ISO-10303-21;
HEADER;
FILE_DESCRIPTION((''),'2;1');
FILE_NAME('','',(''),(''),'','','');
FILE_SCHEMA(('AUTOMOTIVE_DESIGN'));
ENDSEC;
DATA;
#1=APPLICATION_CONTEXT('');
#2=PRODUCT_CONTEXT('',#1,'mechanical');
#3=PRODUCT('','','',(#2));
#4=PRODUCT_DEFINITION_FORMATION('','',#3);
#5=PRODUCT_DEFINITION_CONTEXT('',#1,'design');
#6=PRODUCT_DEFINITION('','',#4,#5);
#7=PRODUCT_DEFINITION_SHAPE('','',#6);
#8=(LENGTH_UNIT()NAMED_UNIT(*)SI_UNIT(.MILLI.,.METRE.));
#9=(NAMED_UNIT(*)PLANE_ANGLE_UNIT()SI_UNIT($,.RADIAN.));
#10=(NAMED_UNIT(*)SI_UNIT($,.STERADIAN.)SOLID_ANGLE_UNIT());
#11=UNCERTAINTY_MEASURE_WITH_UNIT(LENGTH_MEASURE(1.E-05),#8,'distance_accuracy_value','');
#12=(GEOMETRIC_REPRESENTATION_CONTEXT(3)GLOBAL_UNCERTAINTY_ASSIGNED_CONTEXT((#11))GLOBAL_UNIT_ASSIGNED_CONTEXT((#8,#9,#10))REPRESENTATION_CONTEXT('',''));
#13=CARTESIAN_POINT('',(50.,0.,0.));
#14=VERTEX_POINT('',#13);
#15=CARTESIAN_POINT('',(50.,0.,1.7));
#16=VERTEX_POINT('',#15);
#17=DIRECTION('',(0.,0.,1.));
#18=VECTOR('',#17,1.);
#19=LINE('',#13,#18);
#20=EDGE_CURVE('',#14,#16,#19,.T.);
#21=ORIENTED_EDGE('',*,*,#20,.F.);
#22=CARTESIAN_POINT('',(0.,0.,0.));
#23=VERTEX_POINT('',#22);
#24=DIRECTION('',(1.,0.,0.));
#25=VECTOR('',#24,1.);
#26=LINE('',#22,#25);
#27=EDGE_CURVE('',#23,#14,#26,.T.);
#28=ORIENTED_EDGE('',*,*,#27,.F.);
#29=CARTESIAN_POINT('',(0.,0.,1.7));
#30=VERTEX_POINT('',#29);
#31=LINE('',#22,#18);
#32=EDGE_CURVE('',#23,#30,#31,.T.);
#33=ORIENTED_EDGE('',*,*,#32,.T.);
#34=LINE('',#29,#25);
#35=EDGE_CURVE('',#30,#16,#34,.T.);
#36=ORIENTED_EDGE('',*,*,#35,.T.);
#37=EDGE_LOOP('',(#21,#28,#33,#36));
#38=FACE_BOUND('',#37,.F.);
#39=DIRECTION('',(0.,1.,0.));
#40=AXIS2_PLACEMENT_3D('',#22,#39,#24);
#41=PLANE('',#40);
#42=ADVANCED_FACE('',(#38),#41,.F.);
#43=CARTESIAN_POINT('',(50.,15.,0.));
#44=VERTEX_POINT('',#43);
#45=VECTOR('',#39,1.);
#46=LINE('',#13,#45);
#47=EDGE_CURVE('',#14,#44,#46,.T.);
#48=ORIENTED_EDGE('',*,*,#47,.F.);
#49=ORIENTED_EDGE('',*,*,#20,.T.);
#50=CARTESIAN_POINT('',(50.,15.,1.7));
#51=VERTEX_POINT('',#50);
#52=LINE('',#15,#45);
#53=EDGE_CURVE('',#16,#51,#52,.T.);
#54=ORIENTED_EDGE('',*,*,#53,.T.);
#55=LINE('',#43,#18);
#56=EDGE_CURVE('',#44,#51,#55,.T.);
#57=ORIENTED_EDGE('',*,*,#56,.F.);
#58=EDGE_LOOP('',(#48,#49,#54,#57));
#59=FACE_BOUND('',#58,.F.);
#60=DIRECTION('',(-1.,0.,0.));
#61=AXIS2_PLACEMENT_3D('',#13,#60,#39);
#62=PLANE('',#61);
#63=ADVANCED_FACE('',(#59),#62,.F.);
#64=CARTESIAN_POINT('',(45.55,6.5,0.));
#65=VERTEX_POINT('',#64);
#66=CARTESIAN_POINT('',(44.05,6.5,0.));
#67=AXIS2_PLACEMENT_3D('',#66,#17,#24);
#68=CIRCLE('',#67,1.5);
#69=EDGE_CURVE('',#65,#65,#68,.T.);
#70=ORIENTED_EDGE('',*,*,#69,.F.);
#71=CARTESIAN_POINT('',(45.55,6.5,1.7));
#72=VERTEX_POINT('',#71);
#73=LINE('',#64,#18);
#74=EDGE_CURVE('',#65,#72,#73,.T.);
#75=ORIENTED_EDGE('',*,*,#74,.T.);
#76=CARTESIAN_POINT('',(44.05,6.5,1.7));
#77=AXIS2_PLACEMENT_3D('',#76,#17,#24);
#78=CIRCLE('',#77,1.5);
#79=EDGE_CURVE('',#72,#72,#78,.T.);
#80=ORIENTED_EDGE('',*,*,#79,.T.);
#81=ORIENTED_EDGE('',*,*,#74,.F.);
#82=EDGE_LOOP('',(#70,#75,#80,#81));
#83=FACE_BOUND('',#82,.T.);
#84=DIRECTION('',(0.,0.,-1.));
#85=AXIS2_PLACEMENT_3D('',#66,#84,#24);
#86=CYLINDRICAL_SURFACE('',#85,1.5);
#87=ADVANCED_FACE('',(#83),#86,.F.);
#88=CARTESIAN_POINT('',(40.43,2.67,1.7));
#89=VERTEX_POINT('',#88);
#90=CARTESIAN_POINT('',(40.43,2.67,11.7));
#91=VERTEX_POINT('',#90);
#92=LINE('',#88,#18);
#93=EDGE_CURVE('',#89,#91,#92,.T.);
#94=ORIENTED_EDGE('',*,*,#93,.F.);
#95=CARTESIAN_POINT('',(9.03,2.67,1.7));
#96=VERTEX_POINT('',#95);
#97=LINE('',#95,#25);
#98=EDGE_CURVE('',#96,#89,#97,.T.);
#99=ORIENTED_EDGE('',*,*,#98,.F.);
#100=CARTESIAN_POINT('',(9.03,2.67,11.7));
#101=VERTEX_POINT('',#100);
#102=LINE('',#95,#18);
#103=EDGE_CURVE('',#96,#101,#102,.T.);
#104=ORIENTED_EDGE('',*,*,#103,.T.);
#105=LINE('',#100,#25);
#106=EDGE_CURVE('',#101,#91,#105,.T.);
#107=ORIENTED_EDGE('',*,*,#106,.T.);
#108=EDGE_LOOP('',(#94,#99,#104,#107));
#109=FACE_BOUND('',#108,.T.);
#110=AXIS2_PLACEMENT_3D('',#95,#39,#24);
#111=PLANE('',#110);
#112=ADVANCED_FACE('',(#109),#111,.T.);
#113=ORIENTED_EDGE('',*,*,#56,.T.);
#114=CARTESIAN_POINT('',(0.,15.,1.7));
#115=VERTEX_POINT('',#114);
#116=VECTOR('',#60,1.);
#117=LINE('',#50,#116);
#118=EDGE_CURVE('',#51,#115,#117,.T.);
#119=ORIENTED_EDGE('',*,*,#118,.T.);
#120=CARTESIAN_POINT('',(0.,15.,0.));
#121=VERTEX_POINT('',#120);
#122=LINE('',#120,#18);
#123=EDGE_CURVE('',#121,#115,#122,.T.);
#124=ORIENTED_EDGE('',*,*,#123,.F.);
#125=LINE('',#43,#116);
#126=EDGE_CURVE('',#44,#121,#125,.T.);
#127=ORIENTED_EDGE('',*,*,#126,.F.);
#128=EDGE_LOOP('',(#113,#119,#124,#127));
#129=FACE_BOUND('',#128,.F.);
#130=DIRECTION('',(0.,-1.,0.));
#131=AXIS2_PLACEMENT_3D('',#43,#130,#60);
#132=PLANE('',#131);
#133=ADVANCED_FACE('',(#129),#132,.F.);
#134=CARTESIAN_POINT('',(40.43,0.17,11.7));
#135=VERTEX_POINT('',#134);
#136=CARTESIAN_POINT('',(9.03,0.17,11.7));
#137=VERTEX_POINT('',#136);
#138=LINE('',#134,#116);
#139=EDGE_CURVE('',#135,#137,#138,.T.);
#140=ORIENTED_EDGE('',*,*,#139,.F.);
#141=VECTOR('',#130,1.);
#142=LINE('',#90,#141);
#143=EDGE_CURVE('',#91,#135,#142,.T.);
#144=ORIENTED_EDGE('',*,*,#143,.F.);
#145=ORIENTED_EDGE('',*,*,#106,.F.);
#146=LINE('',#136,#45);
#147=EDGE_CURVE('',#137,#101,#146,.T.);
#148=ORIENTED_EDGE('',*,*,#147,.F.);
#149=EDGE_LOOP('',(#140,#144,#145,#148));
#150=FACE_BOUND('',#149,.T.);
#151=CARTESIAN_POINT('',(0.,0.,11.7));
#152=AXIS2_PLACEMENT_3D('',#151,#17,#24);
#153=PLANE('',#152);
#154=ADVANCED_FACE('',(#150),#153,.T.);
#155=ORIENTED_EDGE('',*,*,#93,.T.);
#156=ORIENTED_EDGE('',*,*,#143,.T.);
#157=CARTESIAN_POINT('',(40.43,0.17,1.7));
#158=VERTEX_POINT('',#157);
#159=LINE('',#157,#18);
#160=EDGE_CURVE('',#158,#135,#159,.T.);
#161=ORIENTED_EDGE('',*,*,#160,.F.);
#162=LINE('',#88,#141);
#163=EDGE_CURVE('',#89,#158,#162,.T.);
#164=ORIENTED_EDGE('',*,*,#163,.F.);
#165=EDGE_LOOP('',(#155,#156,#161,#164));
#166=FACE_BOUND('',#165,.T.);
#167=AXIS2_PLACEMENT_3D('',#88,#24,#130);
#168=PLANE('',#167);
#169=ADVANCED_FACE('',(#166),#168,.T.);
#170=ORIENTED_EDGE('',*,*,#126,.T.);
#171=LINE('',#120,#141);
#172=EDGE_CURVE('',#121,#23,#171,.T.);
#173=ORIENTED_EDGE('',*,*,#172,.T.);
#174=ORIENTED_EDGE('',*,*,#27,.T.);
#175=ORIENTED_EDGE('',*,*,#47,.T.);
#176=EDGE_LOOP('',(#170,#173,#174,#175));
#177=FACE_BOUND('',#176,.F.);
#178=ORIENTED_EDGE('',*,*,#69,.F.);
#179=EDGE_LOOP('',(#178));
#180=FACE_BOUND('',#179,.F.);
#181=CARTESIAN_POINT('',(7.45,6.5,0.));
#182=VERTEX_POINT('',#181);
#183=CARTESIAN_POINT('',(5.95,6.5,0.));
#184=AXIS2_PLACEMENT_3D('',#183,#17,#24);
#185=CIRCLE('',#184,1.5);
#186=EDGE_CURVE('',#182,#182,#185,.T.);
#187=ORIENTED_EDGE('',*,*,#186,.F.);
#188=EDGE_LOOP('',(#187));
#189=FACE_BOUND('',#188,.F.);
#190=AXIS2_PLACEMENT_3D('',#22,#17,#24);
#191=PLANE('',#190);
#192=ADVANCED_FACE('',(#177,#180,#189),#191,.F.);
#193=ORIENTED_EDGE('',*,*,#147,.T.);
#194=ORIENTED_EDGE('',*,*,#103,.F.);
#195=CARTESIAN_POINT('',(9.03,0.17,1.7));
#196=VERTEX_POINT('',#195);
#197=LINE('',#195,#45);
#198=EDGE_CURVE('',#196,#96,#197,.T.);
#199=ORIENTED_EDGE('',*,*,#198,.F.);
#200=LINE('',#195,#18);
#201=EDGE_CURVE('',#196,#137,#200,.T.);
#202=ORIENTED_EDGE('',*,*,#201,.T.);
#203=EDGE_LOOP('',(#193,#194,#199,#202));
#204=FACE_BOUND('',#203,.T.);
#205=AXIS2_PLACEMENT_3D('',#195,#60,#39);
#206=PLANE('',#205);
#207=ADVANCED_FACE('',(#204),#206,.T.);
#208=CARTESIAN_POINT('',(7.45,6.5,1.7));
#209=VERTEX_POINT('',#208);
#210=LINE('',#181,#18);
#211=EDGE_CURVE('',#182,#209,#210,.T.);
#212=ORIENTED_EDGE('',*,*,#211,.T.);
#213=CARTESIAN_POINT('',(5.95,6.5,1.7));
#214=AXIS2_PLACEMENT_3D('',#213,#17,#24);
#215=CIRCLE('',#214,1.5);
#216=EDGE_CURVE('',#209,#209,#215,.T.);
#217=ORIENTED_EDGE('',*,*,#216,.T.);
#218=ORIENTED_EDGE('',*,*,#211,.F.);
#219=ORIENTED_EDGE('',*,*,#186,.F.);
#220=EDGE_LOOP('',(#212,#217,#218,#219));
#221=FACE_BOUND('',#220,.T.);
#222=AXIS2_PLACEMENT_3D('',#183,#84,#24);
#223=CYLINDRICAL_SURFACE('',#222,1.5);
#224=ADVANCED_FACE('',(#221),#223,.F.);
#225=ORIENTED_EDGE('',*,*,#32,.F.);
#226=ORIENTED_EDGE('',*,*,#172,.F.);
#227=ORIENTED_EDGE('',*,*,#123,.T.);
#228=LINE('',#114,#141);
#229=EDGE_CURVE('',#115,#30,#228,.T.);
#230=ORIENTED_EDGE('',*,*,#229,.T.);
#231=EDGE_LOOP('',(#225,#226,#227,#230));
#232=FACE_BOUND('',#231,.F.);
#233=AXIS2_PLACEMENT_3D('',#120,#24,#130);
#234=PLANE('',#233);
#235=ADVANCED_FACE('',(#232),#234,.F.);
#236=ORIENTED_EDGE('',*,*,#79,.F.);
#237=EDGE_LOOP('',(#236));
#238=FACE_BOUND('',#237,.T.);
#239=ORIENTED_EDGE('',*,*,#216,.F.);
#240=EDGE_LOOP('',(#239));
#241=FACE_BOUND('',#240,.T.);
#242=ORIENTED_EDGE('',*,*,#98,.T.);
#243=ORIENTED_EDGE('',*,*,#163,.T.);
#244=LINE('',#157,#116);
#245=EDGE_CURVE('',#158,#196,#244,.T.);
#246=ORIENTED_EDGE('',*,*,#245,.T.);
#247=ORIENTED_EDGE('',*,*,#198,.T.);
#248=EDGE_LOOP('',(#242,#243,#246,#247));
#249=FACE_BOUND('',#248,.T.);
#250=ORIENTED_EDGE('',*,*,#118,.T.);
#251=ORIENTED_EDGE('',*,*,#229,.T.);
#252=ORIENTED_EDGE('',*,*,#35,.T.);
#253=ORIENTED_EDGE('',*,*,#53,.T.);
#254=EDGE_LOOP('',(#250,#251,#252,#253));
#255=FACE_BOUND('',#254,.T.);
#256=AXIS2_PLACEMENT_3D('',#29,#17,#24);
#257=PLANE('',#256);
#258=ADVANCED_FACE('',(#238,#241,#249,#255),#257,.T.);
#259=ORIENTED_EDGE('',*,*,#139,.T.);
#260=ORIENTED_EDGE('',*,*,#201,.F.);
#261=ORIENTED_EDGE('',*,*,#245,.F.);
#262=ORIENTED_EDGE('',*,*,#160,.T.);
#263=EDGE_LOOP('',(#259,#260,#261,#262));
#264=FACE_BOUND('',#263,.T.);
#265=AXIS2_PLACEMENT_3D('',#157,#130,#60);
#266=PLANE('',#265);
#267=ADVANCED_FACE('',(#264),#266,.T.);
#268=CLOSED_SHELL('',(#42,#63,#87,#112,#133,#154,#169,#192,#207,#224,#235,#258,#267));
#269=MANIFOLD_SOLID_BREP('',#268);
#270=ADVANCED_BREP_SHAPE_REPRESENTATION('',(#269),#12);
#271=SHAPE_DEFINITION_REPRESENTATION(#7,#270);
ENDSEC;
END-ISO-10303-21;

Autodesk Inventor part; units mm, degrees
ref_plane "YZ Plane" through (0, 0, 0) normal (1, 0, 0) x (0, 1, 0)
ref_plane "XZ Plane" through (0, 0, 0) normal (0, 1, 0) x (-1, 0, 0)
ref_plane "XY Plane" through (0, 0, 0) normal (0, 0, 1) x (1, 0, 0)
sketch "Sketch1" plane through (0, 0, 0) normal (0, 0, 1) x (1, 0, 0)
  line L0 (0, 0) -> (50, 0)
  line L1 (50, 0) -> (50, 15)
  line L2 (50, 15) -> (0, 15)
  line L3 (0, 15) -> (0, 0)
  circle A0 centre (5.95, 6.5) radius 1.5
  circle A1 centre (44.05, 6.5) radius 1.5
  dimension "d0" = 50
  dimension "d1" = 15
  dimension "d4" = 3
  dimension "d5" = 3
  dimension "d6" = 38.1
  dimension "d7" = 5.95
  dimension "d8" = 6.5
  dimension "d9" = 6.5
extrude "Extrusion1" add sketch "Sketch1" along normal blind 1.7
sketch "Sketch2" plane through (0, 0, 1.7) normal (0, 0, 1) x (1, 0, 0)
  line L0 (9.03, 2.67) -> (40.43, 2.67)
  line L1 (40.43, 2.67) -> (40.43, 0.17)
  line L2 (40.43, 0.17) -> (9.03, 0.17)
  line L3 (9.03, 0.17) -> (9.03, 2.67)
  circle A0 centre (5.95, 6.5) radius 1.5 projected
  point P0 (0, 0)
  dimension "d10" = 31.4
  dimension "d11" = 2.5
  dimension "d12" = 3.83
  dimension "d13" = 3.08
extrude "Extrusion2" add sketch "Sketch2" along normal blind 10 contours L0 L1 L2 L3
properties part number "DeviceConnector"
